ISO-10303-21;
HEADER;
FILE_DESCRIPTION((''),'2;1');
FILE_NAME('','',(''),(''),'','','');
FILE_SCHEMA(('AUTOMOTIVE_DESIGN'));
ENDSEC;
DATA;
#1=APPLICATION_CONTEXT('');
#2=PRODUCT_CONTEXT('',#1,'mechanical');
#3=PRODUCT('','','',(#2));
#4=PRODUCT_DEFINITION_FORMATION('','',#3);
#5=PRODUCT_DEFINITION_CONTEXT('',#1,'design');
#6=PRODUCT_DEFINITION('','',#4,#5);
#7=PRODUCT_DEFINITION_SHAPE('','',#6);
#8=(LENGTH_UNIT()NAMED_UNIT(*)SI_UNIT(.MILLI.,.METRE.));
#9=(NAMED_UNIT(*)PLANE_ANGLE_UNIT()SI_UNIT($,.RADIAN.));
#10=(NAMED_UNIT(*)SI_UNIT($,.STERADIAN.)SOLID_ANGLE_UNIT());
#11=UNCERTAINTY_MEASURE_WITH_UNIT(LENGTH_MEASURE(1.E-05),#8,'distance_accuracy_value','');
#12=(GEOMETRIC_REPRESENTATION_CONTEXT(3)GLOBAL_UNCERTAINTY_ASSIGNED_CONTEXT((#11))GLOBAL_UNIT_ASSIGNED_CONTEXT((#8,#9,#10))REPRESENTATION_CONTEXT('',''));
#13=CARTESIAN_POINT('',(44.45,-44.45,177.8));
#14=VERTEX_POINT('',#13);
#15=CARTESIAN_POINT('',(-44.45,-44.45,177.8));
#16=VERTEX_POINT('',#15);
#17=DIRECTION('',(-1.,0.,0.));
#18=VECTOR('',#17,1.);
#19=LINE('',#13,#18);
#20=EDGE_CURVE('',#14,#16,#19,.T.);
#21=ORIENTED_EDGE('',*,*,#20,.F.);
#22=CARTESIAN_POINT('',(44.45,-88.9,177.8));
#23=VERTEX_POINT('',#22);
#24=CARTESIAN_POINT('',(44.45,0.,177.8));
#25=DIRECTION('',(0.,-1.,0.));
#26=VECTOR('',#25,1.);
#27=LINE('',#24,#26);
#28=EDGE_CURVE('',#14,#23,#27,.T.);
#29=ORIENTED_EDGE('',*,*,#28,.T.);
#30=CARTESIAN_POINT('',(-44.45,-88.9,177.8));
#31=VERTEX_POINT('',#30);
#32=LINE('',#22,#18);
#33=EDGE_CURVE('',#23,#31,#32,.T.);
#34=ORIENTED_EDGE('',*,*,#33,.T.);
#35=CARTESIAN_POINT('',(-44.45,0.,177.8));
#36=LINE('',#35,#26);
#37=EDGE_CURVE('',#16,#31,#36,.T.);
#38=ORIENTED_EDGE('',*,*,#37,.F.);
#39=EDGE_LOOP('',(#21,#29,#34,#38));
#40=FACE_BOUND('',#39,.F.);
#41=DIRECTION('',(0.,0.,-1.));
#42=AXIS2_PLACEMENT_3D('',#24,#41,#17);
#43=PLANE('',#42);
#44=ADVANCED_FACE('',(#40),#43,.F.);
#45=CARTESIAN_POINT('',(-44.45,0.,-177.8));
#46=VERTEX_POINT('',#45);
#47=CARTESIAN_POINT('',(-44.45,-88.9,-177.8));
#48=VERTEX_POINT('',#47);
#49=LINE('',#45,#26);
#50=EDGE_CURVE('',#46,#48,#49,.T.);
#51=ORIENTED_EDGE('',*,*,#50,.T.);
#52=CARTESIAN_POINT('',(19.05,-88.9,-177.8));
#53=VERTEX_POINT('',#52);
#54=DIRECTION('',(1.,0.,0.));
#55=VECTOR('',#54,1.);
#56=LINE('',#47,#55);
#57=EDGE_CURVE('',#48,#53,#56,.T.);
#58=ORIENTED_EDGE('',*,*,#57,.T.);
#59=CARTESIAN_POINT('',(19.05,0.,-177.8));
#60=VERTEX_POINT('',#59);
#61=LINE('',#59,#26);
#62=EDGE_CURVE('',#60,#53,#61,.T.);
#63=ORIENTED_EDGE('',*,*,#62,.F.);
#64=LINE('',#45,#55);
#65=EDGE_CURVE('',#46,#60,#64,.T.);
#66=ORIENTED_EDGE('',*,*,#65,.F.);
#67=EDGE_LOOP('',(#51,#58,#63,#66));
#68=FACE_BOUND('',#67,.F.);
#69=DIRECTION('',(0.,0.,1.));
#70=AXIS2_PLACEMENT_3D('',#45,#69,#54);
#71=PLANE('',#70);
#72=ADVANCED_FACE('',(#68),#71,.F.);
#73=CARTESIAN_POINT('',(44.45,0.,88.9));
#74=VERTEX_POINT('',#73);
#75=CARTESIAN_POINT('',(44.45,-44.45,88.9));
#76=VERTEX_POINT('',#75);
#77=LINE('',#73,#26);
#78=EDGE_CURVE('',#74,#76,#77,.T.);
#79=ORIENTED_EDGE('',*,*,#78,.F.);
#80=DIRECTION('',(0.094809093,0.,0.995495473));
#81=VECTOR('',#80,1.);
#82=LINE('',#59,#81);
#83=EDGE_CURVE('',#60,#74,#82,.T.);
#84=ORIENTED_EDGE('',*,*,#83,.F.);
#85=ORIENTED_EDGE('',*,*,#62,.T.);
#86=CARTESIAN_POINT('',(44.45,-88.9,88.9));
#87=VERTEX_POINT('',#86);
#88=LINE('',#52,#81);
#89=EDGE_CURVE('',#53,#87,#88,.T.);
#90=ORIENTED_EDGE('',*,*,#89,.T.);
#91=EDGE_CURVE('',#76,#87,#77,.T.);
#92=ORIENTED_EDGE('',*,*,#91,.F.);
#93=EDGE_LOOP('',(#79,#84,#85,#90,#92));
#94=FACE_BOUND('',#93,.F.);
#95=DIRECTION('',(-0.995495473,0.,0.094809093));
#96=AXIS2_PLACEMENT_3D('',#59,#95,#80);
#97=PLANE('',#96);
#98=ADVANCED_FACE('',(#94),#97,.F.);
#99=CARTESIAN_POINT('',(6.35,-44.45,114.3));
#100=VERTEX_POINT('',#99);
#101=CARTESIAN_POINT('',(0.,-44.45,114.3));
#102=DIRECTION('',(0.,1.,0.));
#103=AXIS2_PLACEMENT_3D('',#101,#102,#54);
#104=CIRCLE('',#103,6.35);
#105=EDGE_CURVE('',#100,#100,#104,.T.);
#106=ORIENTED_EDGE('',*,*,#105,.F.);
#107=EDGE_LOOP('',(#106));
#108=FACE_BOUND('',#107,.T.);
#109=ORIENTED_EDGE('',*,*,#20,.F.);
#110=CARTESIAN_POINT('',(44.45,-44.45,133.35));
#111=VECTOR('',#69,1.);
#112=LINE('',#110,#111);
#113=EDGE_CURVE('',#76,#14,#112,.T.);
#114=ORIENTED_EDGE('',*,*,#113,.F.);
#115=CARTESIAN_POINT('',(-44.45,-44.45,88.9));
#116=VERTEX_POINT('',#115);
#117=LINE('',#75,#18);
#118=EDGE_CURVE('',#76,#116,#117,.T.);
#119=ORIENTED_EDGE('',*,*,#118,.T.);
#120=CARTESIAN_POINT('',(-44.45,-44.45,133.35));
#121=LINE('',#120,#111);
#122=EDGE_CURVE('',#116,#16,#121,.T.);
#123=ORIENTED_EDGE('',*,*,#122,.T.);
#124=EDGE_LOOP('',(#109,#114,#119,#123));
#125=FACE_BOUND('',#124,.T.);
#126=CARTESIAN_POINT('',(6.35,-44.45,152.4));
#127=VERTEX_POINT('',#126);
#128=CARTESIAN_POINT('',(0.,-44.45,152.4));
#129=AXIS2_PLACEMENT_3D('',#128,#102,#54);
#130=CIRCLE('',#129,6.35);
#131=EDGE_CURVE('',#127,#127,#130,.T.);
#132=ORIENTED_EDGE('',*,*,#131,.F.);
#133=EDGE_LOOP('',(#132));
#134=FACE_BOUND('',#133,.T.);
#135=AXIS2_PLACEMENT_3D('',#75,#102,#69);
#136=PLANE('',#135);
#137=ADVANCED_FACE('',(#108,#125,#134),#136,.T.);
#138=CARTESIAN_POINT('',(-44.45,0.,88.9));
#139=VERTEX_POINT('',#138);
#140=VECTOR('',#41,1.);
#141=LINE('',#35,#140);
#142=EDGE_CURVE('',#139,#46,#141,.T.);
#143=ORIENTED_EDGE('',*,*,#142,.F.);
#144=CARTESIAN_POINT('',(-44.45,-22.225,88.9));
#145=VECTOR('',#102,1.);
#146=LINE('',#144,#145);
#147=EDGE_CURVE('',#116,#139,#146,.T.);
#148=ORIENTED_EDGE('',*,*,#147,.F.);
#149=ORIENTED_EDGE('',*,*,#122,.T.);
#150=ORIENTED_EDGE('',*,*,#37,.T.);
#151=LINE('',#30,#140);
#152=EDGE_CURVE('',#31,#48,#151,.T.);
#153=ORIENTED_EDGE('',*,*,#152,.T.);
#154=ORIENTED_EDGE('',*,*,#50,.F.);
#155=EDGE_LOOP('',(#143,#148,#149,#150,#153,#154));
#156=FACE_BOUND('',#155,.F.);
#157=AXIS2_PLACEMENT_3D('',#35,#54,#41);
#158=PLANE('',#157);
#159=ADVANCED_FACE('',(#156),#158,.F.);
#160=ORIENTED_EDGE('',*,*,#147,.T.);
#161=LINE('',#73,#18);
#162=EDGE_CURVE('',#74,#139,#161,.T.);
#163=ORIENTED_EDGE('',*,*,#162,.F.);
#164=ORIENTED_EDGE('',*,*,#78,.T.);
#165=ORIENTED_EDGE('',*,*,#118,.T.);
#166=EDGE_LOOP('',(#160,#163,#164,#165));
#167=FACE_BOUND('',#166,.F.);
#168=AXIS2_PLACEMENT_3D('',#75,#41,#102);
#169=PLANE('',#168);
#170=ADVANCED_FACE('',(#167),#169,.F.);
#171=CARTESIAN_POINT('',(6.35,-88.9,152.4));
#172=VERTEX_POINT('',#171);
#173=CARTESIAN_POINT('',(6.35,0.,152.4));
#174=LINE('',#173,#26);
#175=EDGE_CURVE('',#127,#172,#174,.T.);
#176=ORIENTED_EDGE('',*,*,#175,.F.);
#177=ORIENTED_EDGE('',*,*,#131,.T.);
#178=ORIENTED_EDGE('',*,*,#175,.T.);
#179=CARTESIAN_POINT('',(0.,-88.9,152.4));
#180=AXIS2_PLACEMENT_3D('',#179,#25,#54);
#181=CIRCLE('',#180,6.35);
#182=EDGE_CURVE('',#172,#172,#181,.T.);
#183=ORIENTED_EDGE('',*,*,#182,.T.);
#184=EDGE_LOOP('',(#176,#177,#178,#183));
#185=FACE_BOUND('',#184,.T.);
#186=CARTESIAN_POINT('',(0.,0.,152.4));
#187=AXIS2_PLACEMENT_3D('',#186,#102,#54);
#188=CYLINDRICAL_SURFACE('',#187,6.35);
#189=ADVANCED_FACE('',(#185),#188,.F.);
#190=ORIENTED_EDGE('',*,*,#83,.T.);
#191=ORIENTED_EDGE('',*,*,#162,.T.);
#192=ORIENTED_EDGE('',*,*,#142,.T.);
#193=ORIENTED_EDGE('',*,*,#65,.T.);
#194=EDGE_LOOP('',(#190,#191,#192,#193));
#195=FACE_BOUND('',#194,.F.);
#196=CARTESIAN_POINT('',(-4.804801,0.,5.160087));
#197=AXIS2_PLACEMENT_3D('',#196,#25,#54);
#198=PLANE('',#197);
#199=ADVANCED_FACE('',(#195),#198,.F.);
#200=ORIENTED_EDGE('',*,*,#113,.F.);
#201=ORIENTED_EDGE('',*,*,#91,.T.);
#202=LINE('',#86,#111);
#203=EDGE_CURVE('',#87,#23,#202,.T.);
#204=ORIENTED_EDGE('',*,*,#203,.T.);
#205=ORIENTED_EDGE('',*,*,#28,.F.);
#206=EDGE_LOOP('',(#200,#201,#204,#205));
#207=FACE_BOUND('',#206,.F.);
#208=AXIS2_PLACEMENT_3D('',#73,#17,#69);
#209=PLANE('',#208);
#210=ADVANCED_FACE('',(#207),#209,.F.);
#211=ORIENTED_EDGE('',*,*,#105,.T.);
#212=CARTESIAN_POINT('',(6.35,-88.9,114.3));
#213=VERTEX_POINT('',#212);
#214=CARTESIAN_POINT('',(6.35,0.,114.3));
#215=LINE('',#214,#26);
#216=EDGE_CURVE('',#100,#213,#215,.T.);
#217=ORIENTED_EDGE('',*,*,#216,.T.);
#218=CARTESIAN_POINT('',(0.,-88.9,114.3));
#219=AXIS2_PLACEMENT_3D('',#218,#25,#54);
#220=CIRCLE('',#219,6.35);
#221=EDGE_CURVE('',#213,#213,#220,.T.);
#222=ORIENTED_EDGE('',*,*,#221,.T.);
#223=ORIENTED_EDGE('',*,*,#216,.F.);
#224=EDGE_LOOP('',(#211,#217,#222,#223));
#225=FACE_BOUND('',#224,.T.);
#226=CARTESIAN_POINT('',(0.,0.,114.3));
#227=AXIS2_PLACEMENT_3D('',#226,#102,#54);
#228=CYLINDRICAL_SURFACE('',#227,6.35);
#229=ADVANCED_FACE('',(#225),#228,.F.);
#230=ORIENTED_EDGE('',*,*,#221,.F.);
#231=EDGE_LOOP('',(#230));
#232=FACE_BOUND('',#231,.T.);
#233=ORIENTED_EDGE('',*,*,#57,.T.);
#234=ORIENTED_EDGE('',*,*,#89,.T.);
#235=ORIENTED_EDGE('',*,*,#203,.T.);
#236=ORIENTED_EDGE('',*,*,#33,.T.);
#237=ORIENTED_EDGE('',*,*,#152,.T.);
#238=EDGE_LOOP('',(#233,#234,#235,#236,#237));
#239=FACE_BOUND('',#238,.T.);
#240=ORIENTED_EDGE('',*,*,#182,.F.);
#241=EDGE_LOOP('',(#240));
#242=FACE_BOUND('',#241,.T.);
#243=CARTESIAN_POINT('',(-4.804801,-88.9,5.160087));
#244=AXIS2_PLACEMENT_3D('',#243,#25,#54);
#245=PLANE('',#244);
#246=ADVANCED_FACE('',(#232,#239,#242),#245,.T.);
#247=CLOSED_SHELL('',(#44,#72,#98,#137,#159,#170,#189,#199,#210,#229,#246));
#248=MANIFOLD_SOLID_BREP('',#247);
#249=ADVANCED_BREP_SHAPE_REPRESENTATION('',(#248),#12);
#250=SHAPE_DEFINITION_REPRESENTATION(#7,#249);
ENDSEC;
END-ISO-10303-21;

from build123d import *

# Parameters (mm, degrees)
F0_R     = 6.35
F1_DEPTH = 88.9
F2_W     = 44.45
F2_H     = 88.9
F3_DEPTH = 101.6


with BuildPart() as f1:
    # F0 (on Front) → F1 (new body)
    with BuildSketch(Plane.XZ):
        Polygon((44.45, 88.9), (44.45, 177.8), (-44.45, 177.8), (-44.45, -177.8), (19.05, -177.8), align=None)
        with Locations((0, 114.3)):
            Circle(F0_R, mode=Mode.SUBTRACT)
        with Locations((0, 152.4)):
            Circle(F0_R, mode=Mode.SUBTRACT)
    extrude(amount=F1_DEPTH)

    # F2 (on face) → F3 (cut)
    with BuildSketch(Plane.YZ.offset(44.45)):
        with Locations((-22.225, 133.35)):
            Rectangle(F2_W, F2_H)
    extrude(amount=-F3_DEPTH, mode=Mode.SUBTRACT)


solid = f1.part
